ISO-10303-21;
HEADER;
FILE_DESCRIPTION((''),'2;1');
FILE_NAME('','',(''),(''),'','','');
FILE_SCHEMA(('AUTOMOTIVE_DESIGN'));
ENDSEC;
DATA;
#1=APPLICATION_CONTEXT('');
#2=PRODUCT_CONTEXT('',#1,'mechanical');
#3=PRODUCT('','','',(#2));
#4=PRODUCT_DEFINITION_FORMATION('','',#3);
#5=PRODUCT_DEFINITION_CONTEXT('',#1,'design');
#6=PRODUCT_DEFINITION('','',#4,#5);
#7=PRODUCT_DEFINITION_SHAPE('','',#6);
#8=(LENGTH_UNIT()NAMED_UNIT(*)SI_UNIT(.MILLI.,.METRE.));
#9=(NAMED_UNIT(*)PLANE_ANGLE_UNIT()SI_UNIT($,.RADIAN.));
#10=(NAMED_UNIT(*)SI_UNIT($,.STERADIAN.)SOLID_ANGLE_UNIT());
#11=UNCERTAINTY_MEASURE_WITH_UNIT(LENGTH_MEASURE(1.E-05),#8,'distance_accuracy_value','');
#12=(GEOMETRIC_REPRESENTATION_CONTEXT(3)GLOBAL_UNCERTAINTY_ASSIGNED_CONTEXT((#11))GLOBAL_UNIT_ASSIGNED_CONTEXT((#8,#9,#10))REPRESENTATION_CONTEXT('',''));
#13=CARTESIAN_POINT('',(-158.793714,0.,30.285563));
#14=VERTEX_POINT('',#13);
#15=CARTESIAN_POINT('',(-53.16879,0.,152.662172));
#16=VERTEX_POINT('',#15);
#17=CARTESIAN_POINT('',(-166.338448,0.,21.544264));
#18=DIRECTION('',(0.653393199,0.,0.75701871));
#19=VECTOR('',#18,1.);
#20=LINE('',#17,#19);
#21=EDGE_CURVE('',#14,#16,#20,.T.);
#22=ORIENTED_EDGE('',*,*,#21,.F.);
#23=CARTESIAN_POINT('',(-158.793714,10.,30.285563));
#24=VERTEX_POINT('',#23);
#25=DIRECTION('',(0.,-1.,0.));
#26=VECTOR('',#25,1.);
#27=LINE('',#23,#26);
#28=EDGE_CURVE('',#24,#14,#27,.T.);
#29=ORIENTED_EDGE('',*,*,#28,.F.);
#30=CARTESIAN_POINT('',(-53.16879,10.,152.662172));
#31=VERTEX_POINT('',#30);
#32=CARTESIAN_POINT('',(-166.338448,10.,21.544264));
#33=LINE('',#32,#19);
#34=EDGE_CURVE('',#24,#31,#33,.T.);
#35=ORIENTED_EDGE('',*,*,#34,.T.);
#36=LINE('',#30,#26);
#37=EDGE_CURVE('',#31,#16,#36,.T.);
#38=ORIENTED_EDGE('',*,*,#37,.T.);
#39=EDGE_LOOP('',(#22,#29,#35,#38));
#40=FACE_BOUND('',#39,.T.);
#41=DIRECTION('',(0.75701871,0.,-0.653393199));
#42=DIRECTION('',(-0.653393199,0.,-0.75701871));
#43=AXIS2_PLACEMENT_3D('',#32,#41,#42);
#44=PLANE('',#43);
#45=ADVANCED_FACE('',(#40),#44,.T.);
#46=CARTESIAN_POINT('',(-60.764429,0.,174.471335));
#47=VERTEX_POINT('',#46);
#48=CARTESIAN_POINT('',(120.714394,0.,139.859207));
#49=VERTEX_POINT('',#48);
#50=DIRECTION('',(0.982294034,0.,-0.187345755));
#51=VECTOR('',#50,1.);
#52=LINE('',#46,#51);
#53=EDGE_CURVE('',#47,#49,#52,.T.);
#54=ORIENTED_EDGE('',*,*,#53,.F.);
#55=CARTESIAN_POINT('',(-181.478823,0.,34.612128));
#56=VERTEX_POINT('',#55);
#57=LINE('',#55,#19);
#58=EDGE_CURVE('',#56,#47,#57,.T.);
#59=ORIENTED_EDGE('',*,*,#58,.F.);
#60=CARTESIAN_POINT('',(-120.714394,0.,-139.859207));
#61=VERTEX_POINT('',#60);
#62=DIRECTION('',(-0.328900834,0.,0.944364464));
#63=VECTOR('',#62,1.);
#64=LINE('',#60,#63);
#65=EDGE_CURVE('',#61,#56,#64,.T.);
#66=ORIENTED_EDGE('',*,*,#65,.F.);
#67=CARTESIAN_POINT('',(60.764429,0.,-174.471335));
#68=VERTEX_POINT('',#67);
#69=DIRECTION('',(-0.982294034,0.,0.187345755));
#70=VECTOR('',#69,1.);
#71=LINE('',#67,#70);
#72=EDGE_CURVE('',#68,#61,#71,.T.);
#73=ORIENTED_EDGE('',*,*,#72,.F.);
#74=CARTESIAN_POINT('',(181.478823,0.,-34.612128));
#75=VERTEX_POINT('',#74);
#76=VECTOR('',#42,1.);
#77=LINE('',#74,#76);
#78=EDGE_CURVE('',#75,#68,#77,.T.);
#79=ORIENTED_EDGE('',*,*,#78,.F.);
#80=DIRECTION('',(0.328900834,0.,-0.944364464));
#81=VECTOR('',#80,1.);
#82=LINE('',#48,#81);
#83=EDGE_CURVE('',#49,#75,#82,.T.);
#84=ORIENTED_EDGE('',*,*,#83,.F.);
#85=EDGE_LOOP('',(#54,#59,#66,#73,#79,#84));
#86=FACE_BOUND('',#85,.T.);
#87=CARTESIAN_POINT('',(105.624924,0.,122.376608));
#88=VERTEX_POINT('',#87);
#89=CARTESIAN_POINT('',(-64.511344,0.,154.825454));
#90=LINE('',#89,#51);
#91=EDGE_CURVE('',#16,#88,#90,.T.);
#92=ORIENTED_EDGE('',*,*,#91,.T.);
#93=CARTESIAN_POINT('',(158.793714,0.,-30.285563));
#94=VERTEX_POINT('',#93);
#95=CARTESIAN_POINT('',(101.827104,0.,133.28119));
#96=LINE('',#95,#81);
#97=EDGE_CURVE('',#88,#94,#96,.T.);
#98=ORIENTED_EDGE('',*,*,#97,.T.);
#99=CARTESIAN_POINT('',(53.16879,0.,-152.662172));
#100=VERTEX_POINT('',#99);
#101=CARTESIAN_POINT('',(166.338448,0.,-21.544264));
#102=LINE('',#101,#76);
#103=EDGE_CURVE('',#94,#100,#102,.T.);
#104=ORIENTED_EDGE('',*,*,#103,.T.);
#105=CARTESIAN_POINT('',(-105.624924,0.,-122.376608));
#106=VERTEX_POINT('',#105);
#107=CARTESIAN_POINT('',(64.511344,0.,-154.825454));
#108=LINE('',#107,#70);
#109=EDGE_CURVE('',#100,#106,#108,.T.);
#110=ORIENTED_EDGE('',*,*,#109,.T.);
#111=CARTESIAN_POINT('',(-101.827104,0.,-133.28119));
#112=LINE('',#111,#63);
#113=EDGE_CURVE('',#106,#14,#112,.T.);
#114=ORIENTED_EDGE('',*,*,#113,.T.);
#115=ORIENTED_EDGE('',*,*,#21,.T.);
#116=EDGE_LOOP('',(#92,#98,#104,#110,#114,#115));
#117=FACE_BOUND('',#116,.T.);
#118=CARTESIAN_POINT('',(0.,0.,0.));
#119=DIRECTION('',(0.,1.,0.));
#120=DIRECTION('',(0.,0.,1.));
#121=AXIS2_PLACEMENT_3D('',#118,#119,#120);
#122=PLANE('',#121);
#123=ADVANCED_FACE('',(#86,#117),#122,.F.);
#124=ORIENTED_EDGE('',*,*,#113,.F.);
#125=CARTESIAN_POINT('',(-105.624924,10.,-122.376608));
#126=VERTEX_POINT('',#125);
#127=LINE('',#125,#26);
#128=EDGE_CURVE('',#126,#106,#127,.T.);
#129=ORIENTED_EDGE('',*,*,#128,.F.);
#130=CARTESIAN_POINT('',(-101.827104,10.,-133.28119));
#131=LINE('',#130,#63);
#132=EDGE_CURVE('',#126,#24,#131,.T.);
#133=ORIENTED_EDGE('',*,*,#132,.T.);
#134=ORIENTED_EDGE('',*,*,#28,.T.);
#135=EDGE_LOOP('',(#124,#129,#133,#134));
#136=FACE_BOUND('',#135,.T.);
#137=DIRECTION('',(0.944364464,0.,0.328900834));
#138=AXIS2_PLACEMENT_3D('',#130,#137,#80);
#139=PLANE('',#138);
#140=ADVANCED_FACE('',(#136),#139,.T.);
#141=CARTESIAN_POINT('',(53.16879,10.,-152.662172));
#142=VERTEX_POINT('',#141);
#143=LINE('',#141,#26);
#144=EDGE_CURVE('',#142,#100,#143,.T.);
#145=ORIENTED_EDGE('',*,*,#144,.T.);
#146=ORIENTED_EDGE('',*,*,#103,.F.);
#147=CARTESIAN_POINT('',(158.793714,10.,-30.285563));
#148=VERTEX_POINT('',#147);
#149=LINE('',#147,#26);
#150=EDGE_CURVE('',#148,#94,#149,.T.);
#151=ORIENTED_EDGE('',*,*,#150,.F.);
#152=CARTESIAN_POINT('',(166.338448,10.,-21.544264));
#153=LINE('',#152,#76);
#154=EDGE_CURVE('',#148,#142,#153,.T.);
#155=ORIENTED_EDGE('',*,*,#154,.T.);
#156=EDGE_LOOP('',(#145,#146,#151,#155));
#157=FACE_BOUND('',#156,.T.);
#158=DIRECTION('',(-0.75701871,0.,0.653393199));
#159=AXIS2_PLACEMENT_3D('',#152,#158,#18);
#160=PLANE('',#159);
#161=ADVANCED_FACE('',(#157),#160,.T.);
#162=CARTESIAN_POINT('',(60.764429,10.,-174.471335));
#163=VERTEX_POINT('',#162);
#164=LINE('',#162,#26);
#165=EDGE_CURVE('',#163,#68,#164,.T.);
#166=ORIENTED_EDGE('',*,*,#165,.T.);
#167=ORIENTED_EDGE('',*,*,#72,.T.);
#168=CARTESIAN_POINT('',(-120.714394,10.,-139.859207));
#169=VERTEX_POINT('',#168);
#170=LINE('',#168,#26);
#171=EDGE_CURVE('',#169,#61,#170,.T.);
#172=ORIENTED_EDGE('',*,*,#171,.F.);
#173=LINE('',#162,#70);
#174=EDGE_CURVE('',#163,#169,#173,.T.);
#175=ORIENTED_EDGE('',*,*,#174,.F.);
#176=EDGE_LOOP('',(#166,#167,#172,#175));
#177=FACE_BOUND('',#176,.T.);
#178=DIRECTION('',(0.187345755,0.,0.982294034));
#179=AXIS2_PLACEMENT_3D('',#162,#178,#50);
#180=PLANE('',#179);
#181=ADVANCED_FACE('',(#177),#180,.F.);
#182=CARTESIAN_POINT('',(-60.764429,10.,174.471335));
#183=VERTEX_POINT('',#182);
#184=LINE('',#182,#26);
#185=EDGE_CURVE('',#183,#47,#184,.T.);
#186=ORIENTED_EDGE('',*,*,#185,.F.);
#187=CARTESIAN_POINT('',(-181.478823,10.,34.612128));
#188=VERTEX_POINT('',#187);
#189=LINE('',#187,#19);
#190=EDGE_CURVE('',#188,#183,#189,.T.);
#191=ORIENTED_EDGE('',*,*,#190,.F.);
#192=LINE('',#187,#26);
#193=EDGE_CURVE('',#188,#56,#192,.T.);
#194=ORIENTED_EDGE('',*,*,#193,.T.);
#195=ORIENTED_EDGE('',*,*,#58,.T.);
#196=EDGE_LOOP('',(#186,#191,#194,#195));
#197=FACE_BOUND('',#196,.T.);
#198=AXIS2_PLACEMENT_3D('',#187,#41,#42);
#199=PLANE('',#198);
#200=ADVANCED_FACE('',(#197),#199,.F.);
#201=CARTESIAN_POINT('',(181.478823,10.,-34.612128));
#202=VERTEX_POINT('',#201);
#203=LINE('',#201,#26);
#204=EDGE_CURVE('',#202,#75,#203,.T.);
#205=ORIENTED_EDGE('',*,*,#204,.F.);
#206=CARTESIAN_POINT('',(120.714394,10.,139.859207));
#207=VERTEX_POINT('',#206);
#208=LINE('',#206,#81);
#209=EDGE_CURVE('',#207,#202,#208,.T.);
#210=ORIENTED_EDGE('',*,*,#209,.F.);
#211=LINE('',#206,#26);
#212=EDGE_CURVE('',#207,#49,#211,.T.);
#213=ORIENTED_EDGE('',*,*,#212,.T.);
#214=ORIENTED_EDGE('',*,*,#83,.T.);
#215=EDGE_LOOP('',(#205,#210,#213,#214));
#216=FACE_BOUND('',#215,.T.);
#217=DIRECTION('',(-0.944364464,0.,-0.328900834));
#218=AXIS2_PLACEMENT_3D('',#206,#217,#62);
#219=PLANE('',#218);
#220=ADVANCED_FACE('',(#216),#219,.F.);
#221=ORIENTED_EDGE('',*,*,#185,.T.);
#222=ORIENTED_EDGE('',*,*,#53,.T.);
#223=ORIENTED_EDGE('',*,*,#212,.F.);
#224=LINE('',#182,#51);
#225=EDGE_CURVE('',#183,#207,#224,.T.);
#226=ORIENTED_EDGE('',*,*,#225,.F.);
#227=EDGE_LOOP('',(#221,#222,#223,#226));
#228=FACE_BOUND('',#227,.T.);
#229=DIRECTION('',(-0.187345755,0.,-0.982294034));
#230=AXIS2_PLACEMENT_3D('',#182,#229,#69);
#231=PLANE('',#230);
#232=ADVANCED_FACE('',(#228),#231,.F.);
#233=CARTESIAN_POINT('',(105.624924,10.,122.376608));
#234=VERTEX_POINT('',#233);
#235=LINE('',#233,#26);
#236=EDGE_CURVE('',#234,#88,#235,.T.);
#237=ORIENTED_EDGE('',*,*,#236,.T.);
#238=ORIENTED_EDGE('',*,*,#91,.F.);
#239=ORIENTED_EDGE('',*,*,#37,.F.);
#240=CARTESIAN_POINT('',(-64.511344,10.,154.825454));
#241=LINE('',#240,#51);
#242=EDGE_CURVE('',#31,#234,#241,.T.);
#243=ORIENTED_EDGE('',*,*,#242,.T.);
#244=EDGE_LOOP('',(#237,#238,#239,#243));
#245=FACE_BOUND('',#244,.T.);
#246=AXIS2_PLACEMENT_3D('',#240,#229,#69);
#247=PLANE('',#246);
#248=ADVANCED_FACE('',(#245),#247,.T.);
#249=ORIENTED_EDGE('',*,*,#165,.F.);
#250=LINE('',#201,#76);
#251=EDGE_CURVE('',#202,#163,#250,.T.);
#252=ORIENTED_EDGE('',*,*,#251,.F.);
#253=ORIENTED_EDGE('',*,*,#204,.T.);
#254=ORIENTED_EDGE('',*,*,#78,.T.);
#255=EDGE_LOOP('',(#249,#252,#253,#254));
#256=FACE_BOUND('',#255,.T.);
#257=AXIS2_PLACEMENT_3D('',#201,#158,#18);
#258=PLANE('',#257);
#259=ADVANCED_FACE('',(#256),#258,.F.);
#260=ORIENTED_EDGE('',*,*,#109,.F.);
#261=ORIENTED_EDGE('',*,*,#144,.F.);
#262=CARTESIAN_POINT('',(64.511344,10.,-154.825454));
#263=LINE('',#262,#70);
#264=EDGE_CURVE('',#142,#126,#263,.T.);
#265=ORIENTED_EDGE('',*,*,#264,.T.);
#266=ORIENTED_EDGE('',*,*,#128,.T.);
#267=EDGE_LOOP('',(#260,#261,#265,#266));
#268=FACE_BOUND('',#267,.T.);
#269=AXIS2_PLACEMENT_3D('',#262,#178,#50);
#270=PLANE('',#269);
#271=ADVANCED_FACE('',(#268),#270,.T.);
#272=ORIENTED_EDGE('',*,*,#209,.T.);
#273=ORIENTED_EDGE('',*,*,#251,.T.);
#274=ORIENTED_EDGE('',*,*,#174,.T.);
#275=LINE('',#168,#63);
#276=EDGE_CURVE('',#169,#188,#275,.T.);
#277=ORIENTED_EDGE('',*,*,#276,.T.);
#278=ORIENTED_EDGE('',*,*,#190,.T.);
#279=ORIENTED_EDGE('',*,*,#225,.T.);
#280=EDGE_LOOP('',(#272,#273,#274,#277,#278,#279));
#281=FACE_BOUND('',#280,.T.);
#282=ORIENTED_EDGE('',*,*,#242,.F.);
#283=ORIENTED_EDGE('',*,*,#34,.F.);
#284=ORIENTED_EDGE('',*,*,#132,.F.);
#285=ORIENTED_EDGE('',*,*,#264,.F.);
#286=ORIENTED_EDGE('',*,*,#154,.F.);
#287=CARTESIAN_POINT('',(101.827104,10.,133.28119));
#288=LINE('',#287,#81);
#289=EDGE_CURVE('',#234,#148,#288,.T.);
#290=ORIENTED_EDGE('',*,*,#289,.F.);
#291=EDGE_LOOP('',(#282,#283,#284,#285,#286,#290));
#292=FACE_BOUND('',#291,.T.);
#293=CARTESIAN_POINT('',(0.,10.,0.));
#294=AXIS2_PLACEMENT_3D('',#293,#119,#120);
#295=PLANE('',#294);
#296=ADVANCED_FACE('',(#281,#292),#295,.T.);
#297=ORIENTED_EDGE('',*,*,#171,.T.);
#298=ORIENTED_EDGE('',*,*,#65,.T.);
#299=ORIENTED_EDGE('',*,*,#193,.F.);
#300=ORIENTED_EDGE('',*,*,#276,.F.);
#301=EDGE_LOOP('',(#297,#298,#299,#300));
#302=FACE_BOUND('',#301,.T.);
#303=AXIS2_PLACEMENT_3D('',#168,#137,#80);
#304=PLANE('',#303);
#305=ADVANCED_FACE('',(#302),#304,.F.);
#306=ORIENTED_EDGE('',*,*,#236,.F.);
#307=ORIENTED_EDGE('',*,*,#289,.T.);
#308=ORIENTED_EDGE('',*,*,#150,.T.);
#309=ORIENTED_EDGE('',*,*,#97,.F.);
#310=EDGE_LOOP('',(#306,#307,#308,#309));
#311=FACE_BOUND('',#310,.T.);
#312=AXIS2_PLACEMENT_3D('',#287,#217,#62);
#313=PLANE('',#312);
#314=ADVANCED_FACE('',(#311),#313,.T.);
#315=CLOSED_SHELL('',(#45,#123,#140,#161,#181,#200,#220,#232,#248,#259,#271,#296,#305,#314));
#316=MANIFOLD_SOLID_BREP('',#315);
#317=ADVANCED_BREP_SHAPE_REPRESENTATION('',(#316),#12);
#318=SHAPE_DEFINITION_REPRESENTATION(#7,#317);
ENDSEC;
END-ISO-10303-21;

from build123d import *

# Parameters (mm, degrees)
EXTRUDE_THIN3_DEPTH = 10


with BuildPart() as part:
    # Sketch1 → Extrude-Thin3 (new body)
    with BuildSketch(Plane(origin=(0, 0, 0), x_dir=(1, 0, 0), z_dir=(0, 1, 0))):
        Polygon((120.714393603, -139.859206622), (181.47882269, 34.612128152), (60.764429086, 174.471334774), (-120.714393603, 139.859206622), (-181.47882269, -34.612128152), (-60.764429086, -174.471334774), align=None)
        Polygon((105.624924019, -122.376608388), (158.793713703, 30.285563279), (53.168789684, 152.662171668), (-105.624924019, 122.376608388), (-158.793713703, -30.285563279), (-53.168789684, -152.662171668), align=None, mode=Mode.SUBTRACT)
    extrude(amount=EXTRUDE_THIN3_DEPTH)


solid = part.part
